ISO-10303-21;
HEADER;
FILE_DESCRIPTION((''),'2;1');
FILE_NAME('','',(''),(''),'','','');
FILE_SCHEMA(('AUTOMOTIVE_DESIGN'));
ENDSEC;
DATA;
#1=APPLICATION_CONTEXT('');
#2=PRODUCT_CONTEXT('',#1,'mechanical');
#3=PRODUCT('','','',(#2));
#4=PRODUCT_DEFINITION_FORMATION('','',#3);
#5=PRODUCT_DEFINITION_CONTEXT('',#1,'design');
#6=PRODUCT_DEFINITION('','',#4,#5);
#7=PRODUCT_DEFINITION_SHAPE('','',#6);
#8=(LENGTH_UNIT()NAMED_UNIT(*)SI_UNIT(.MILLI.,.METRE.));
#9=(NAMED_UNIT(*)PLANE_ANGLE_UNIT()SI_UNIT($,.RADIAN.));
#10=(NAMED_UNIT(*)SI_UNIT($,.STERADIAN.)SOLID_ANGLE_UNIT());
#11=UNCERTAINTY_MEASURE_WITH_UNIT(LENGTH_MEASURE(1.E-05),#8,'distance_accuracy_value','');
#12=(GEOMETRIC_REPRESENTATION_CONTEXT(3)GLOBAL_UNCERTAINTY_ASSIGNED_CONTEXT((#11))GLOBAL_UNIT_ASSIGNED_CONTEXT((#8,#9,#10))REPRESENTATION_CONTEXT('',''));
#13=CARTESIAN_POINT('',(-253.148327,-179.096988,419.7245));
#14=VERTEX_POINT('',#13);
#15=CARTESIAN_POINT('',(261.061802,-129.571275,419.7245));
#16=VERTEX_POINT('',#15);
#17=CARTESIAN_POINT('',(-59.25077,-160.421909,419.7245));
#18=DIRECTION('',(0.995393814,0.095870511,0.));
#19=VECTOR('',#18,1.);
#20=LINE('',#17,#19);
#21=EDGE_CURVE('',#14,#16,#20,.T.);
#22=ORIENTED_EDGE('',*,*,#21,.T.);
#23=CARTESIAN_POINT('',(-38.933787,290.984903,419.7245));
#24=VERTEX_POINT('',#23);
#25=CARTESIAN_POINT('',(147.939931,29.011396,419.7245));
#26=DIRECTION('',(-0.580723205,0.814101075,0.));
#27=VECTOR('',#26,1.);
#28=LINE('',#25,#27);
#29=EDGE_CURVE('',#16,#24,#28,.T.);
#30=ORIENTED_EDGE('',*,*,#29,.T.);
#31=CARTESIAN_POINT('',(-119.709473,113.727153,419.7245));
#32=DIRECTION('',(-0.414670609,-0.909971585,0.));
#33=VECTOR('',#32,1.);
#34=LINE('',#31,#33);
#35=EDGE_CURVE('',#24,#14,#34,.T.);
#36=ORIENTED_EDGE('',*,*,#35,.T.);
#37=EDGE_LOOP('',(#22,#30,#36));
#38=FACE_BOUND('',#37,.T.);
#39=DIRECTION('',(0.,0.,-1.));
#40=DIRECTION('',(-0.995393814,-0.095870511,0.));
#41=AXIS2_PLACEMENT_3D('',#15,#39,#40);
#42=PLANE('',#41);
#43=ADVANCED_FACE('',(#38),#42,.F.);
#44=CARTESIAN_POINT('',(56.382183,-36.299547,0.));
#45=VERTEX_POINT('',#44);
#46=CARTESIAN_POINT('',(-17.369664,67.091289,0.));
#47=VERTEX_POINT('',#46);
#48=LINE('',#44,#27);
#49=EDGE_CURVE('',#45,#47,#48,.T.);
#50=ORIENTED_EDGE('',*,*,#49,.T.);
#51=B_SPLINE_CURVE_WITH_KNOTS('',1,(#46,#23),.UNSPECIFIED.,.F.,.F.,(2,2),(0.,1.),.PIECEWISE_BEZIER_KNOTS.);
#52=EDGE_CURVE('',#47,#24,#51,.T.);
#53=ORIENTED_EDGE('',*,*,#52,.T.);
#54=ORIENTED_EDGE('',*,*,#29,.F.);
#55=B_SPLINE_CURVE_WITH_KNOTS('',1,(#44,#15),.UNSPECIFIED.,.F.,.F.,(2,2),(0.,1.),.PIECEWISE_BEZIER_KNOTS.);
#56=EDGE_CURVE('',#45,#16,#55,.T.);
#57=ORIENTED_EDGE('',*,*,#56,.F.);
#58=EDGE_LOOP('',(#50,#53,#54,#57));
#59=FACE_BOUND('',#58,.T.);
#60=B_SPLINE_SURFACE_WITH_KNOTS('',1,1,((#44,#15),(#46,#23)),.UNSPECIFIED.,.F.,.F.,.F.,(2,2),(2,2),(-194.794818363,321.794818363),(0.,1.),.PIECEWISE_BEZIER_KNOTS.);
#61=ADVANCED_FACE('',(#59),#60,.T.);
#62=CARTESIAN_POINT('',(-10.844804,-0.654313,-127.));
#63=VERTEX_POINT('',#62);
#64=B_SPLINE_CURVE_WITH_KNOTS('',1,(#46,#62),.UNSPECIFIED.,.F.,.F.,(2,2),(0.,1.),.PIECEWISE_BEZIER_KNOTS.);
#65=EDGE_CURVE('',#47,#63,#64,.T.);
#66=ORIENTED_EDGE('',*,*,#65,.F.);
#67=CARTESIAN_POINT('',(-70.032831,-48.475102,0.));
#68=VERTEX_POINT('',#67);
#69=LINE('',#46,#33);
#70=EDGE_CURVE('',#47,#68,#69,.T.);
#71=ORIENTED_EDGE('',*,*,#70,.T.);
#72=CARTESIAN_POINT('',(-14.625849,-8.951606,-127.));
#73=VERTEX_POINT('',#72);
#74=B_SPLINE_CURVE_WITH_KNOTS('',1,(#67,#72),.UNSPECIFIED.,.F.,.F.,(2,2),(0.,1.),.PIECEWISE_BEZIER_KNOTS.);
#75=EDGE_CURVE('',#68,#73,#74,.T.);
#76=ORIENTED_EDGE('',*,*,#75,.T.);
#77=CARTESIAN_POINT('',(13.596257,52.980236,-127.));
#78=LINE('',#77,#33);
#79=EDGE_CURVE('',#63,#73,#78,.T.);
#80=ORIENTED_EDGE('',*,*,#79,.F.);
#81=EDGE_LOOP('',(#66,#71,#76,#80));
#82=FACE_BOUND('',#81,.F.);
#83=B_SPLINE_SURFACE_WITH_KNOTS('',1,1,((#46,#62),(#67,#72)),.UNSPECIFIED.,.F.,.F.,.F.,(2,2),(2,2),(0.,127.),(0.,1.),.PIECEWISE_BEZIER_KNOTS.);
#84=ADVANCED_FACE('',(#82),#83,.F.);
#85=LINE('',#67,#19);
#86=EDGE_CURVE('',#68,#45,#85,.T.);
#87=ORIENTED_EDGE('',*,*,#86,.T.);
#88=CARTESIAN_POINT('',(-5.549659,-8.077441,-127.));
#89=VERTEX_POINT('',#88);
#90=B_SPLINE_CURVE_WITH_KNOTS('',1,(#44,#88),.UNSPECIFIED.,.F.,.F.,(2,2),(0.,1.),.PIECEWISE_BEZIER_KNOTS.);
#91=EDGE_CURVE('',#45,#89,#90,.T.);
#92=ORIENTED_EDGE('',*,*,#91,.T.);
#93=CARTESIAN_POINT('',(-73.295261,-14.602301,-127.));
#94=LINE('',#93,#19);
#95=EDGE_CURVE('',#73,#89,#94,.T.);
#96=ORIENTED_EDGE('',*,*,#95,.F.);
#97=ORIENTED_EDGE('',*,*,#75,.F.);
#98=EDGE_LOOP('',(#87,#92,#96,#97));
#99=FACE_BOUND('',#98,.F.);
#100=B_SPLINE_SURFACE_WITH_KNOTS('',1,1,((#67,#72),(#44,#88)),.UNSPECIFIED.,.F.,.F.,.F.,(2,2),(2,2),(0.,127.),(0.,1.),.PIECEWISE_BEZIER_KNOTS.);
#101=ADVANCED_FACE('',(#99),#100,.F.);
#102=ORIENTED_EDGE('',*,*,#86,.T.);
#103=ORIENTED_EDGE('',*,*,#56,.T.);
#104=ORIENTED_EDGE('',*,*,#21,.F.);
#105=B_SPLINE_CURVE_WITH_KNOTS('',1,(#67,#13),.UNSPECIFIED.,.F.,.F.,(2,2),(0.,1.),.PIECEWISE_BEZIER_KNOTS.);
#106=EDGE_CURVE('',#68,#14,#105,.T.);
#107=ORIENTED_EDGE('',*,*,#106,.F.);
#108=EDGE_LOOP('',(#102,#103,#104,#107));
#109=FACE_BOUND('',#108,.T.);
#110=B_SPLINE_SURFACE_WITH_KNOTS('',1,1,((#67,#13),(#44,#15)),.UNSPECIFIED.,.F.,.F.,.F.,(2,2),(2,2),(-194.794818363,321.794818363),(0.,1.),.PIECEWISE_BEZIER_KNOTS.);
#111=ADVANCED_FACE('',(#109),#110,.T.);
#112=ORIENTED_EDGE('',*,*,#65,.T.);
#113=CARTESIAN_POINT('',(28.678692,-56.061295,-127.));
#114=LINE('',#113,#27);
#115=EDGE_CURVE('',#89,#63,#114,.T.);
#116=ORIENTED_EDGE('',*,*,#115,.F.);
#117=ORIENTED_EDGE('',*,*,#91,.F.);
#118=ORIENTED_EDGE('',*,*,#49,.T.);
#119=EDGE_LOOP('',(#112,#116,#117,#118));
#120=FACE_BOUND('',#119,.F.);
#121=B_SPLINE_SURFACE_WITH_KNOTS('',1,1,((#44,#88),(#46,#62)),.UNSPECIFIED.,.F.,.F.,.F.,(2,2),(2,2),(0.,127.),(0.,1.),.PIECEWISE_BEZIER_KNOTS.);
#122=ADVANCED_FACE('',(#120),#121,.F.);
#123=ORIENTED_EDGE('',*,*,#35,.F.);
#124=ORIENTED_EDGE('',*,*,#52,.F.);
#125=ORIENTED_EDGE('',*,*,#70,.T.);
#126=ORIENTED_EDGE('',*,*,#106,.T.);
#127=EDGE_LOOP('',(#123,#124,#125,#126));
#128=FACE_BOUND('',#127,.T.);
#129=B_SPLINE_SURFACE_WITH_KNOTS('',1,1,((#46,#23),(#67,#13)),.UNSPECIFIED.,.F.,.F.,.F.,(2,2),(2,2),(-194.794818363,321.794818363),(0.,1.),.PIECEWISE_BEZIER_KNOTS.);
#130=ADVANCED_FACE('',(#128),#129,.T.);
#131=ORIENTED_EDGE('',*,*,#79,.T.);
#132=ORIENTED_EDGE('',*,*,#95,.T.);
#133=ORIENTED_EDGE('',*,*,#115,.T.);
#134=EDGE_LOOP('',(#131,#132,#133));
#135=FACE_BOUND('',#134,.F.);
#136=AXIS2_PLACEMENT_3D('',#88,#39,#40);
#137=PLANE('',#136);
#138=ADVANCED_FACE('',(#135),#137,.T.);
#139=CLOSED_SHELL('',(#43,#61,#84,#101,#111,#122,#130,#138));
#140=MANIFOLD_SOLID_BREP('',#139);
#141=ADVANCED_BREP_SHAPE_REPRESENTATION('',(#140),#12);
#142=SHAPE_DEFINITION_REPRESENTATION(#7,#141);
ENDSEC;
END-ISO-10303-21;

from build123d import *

# Parameters (mm, degrees)
F1_DEPTH      = 419.7245
F1_TAPER      = -15
F1_DEPTH_BACK = 127
F1_TAPER_BACK = 15


with BuildPart() as f1:
    # F0 (on Top) → F1 (new body, two sides)
    with BuildSketch(Plane.XY) as f1_sk:
        Polygon((56.382183052, -36.2995471189), (-17.3696639424, 67.0912893459), (-70.0328313423, -48.4751019597), align=None)
    extrude(amount=F1_DEPTH, taper=F1_TAPER)
    extrude(f1_sk.sketch, amount=-F1_DEPTH_BACK, taper=F1_TAPER_BACK)


solid = f1.part
